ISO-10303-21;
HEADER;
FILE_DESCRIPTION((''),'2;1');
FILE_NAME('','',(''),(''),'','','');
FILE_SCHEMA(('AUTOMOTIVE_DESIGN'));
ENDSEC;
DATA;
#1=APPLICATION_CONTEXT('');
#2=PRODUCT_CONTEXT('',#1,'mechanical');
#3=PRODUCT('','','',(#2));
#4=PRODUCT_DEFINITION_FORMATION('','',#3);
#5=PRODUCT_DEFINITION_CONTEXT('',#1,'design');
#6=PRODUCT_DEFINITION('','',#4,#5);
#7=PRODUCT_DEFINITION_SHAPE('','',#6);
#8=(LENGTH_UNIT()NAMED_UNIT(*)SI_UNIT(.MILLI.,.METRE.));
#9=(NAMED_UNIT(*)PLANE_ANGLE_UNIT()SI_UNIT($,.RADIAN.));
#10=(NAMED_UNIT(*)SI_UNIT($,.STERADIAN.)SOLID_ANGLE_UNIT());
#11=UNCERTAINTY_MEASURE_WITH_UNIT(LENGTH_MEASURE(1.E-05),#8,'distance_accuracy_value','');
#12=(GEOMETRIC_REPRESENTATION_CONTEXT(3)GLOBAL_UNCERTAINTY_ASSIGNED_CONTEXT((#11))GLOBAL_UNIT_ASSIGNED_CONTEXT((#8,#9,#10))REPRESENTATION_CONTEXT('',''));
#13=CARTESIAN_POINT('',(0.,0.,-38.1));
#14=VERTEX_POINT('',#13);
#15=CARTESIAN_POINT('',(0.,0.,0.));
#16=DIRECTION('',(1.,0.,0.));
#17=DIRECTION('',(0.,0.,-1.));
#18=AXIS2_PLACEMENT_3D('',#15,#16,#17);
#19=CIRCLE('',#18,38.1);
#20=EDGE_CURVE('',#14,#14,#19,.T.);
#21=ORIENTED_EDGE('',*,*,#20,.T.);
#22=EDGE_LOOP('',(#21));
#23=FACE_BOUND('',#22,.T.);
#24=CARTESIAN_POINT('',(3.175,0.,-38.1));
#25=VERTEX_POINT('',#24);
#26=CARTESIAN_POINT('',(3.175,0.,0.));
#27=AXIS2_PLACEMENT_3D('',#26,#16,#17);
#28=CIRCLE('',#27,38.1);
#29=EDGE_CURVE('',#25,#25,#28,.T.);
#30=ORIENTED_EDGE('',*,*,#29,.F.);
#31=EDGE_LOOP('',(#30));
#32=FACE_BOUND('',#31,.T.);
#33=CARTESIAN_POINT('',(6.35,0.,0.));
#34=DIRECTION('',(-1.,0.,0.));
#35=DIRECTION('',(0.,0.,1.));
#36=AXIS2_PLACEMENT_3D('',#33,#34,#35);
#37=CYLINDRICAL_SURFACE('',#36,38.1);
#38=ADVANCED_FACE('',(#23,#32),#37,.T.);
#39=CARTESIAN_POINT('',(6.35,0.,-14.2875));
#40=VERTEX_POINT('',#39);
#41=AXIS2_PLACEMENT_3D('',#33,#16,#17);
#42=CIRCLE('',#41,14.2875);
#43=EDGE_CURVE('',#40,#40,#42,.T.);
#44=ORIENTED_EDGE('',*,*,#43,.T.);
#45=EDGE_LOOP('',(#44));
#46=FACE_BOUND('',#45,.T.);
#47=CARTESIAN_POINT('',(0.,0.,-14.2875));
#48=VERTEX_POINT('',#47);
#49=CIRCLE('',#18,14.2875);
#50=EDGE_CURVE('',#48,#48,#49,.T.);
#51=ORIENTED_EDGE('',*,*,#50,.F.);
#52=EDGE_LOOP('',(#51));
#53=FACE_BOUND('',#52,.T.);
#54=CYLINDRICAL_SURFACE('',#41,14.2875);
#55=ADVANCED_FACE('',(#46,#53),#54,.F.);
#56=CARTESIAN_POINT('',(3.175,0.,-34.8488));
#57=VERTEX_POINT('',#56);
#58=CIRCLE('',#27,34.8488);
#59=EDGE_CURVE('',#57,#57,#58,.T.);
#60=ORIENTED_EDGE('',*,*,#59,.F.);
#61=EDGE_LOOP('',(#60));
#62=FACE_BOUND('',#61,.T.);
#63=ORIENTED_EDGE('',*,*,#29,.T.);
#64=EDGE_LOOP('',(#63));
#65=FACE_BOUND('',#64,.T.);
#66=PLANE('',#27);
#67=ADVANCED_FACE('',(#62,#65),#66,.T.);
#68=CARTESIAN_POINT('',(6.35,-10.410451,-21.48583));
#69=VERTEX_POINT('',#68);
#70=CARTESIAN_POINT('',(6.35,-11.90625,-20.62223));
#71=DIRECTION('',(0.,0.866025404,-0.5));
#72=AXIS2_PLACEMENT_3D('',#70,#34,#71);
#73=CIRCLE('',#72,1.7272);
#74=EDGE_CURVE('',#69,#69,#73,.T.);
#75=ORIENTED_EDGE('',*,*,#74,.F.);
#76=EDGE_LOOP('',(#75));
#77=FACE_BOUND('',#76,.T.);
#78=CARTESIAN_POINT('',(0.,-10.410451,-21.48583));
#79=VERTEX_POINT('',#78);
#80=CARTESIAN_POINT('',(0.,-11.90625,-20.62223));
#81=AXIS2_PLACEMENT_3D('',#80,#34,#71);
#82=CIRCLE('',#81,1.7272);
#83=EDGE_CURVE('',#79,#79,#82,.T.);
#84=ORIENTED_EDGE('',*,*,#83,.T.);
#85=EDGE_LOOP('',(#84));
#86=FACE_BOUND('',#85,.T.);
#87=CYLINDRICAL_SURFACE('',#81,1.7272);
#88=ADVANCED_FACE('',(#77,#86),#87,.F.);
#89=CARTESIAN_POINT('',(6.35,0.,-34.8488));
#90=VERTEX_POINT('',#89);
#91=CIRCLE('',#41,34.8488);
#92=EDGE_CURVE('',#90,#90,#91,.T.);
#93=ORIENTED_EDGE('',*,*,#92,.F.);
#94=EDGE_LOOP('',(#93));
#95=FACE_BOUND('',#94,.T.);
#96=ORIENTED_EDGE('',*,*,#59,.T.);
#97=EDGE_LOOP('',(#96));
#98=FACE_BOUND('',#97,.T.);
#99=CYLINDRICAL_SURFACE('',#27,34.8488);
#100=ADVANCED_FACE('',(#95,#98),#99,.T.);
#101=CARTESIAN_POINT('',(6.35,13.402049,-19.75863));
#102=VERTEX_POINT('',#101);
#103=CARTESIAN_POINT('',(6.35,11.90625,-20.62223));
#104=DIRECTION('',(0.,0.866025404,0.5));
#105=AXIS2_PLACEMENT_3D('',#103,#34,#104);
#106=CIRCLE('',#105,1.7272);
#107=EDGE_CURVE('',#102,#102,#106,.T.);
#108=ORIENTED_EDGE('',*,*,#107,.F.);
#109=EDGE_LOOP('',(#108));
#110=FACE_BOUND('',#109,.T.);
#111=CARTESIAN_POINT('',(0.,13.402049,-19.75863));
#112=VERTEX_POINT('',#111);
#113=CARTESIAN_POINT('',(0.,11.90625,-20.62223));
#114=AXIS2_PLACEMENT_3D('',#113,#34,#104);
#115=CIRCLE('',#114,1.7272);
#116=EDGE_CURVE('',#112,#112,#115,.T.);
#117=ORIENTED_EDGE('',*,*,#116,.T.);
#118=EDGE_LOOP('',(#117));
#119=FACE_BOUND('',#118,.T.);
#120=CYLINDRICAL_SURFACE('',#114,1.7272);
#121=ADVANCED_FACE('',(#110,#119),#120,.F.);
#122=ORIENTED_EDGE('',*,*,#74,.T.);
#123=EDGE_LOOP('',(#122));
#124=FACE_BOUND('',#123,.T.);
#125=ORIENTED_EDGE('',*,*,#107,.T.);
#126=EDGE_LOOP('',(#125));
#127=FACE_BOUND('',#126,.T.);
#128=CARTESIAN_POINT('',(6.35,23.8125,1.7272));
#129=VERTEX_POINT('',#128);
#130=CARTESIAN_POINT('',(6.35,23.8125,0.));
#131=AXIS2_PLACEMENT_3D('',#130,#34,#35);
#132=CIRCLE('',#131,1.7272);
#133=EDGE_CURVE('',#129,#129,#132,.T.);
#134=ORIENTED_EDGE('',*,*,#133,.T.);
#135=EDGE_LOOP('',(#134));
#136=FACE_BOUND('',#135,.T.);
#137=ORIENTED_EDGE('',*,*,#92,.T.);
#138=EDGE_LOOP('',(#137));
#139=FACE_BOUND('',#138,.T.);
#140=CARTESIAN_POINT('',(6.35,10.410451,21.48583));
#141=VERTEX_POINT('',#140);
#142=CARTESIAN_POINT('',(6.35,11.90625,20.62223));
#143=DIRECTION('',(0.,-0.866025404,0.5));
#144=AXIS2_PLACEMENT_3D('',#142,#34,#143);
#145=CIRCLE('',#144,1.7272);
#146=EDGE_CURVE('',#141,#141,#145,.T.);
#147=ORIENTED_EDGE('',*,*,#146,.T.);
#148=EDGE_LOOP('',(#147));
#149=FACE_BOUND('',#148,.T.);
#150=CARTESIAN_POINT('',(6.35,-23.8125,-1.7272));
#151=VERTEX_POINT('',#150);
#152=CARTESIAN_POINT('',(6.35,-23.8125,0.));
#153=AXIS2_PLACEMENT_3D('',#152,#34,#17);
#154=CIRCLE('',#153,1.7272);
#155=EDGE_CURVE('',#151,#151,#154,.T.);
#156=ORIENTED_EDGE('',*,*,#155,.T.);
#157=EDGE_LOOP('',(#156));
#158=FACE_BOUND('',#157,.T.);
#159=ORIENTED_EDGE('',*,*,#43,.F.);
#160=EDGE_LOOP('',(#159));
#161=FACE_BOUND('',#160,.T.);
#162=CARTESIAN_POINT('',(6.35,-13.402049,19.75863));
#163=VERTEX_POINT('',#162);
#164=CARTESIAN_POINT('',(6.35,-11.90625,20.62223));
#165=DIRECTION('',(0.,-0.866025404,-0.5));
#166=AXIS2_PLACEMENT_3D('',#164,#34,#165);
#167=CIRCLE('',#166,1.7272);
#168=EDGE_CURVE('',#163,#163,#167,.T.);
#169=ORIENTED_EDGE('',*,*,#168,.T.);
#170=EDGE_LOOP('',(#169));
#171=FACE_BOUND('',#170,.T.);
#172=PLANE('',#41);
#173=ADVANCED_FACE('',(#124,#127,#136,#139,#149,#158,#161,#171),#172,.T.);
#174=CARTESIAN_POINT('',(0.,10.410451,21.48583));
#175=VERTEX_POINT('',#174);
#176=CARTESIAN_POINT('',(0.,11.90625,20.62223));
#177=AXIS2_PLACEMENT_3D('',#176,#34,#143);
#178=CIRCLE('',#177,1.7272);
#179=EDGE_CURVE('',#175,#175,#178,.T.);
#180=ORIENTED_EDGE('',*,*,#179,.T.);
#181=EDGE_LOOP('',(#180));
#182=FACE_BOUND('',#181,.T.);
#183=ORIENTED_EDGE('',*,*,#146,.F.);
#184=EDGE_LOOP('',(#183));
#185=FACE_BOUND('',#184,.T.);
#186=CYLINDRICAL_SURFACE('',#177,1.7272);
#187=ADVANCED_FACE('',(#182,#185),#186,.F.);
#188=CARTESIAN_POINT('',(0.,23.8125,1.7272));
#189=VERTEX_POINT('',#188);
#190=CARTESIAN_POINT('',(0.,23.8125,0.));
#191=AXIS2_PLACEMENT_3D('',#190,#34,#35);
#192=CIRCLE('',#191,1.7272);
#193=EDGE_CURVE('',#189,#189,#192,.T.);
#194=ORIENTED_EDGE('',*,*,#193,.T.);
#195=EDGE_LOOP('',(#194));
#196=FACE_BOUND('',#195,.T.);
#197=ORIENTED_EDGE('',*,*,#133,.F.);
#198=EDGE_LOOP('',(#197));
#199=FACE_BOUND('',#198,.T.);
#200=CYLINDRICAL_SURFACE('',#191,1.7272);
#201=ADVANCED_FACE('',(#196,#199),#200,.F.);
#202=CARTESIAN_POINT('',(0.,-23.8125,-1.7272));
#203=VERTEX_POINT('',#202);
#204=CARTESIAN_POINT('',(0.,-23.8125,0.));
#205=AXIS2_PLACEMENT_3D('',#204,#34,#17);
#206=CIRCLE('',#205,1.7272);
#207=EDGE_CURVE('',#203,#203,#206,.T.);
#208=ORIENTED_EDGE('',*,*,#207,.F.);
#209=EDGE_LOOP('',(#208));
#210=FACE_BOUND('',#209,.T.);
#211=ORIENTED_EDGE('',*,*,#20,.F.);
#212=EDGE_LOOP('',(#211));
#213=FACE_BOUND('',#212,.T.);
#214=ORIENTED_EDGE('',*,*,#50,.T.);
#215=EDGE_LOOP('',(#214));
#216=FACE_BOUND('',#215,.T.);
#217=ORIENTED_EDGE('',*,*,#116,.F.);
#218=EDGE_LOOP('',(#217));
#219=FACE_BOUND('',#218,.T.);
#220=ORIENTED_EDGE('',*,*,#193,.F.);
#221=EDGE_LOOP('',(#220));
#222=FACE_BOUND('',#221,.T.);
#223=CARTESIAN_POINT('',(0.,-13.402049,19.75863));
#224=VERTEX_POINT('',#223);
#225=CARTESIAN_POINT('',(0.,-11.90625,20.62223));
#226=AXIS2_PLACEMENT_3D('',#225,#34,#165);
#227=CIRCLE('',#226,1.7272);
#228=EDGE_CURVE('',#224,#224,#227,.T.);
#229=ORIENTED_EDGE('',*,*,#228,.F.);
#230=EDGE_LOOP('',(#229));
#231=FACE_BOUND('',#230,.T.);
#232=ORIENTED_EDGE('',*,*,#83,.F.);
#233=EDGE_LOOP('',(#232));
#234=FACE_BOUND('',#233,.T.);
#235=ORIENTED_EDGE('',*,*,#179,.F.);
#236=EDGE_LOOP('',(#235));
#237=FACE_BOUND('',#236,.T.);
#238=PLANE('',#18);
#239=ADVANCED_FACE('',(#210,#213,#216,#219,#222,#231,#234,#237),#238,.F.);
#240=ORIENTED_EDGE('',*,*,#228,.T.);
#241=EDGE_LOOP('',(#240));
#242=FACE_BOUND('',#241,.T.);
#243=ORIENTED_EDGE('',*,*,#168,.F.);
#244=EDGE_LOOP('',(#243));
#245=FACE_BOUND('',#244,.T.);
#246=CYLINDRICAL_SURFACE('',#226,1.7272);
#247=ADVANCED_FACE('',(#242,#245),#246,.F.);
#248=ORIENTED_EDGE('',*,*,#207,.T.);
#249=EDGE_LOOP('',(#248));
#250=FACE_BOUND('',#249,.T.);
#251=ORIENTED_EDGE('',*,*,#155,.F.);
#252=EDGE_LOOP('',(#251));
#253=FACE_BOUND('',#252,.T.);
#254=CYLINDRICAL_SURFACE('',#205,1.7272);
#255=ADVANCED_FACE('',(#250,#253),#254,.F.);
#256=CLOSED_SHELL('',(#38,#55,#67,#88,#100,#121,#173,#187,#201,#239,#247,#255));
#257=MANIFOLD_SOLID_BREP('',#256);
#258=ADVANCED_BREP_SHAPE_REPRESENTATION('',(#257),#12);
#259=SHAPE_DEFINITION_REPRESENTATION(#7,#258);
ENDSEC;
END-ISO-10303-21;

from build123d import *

# Parameters (mm, degrees)
SKETCH1_R                  = 38.1
BOSS_EXTRUDE1_DEPTH        = 6.35
SKETCH3_R                  = 38.1
SKETCH3_R_2                = 34.8488
CUT_EXTRUDE_THIN1_DEPTH    = 3.175
F_1_2_0_5_DIAMETER_HOLE1_D = 28.575
F_8_32_TAPPED_HOLE1_D      = 3.4544
CIRPATTERN1_COUNT          = 6


with BuildPart() as part:
    # Sketch1 → Boss-Extrude1 (new body)
    with BuildSketch(Plane(origin=(0, 0, 0), x_dir=(0, 0, -1), z_dir=(1, 0, 0))):
        Circle(SKETCH1_R)
    extrude(amount=BOSS_EXTRUDE1_DEPTH)

    # Sketch3 → Cut-Extrude-Thin1 (cut)
    with BuildSketch(Plane(origin=(6.35, 0, 0), x_dir=(0, 0, -1), z_dir=(1, 0, 0))):
        Circle(SKETCH3_R)
        Circle(SKETCH3_R_2, mode=Mode.SUBTRACT)
    extrude(amount=-CUT_EXTRUDE_THIN1_DEPTH, mode=Mode.SUBTRACT)

    # 1/2 (0.5) Diameter Hole1 (through all)
    with Locations(Plane(origin=(6.35, 0, 0), x_dir=(0, 0, -1), z_dir=(1, 0, 0))):
        with Locations((0, 0)):
            Hole(F_1_2_0_5_DIAMETER_HOLE1_D / 2)

    # #8-32 Tapped Hole1 (through all)
    with Locations(Plane.ZY):
        with Locations((0, 23.8125)):
            f_8_32_tapped_hole1 = Hole(F_8_32_TAPPED_HOLE1_D / 2)

    # CirPattern1: #8-32 Tapped Hole1 ×6 about axis
    cirpattern1_axis = Axis((0, 0, 0), (1, 0, 0))
    for i in range(1, CIRPATTERN1_COUNT):
        add(f_8_32_tapped_hole1.rotate(cirpattern1_axis, i * 360 / CIRPATTERN1_COUNT), mode=Mode.SUBTRACT)


solid = part.part
